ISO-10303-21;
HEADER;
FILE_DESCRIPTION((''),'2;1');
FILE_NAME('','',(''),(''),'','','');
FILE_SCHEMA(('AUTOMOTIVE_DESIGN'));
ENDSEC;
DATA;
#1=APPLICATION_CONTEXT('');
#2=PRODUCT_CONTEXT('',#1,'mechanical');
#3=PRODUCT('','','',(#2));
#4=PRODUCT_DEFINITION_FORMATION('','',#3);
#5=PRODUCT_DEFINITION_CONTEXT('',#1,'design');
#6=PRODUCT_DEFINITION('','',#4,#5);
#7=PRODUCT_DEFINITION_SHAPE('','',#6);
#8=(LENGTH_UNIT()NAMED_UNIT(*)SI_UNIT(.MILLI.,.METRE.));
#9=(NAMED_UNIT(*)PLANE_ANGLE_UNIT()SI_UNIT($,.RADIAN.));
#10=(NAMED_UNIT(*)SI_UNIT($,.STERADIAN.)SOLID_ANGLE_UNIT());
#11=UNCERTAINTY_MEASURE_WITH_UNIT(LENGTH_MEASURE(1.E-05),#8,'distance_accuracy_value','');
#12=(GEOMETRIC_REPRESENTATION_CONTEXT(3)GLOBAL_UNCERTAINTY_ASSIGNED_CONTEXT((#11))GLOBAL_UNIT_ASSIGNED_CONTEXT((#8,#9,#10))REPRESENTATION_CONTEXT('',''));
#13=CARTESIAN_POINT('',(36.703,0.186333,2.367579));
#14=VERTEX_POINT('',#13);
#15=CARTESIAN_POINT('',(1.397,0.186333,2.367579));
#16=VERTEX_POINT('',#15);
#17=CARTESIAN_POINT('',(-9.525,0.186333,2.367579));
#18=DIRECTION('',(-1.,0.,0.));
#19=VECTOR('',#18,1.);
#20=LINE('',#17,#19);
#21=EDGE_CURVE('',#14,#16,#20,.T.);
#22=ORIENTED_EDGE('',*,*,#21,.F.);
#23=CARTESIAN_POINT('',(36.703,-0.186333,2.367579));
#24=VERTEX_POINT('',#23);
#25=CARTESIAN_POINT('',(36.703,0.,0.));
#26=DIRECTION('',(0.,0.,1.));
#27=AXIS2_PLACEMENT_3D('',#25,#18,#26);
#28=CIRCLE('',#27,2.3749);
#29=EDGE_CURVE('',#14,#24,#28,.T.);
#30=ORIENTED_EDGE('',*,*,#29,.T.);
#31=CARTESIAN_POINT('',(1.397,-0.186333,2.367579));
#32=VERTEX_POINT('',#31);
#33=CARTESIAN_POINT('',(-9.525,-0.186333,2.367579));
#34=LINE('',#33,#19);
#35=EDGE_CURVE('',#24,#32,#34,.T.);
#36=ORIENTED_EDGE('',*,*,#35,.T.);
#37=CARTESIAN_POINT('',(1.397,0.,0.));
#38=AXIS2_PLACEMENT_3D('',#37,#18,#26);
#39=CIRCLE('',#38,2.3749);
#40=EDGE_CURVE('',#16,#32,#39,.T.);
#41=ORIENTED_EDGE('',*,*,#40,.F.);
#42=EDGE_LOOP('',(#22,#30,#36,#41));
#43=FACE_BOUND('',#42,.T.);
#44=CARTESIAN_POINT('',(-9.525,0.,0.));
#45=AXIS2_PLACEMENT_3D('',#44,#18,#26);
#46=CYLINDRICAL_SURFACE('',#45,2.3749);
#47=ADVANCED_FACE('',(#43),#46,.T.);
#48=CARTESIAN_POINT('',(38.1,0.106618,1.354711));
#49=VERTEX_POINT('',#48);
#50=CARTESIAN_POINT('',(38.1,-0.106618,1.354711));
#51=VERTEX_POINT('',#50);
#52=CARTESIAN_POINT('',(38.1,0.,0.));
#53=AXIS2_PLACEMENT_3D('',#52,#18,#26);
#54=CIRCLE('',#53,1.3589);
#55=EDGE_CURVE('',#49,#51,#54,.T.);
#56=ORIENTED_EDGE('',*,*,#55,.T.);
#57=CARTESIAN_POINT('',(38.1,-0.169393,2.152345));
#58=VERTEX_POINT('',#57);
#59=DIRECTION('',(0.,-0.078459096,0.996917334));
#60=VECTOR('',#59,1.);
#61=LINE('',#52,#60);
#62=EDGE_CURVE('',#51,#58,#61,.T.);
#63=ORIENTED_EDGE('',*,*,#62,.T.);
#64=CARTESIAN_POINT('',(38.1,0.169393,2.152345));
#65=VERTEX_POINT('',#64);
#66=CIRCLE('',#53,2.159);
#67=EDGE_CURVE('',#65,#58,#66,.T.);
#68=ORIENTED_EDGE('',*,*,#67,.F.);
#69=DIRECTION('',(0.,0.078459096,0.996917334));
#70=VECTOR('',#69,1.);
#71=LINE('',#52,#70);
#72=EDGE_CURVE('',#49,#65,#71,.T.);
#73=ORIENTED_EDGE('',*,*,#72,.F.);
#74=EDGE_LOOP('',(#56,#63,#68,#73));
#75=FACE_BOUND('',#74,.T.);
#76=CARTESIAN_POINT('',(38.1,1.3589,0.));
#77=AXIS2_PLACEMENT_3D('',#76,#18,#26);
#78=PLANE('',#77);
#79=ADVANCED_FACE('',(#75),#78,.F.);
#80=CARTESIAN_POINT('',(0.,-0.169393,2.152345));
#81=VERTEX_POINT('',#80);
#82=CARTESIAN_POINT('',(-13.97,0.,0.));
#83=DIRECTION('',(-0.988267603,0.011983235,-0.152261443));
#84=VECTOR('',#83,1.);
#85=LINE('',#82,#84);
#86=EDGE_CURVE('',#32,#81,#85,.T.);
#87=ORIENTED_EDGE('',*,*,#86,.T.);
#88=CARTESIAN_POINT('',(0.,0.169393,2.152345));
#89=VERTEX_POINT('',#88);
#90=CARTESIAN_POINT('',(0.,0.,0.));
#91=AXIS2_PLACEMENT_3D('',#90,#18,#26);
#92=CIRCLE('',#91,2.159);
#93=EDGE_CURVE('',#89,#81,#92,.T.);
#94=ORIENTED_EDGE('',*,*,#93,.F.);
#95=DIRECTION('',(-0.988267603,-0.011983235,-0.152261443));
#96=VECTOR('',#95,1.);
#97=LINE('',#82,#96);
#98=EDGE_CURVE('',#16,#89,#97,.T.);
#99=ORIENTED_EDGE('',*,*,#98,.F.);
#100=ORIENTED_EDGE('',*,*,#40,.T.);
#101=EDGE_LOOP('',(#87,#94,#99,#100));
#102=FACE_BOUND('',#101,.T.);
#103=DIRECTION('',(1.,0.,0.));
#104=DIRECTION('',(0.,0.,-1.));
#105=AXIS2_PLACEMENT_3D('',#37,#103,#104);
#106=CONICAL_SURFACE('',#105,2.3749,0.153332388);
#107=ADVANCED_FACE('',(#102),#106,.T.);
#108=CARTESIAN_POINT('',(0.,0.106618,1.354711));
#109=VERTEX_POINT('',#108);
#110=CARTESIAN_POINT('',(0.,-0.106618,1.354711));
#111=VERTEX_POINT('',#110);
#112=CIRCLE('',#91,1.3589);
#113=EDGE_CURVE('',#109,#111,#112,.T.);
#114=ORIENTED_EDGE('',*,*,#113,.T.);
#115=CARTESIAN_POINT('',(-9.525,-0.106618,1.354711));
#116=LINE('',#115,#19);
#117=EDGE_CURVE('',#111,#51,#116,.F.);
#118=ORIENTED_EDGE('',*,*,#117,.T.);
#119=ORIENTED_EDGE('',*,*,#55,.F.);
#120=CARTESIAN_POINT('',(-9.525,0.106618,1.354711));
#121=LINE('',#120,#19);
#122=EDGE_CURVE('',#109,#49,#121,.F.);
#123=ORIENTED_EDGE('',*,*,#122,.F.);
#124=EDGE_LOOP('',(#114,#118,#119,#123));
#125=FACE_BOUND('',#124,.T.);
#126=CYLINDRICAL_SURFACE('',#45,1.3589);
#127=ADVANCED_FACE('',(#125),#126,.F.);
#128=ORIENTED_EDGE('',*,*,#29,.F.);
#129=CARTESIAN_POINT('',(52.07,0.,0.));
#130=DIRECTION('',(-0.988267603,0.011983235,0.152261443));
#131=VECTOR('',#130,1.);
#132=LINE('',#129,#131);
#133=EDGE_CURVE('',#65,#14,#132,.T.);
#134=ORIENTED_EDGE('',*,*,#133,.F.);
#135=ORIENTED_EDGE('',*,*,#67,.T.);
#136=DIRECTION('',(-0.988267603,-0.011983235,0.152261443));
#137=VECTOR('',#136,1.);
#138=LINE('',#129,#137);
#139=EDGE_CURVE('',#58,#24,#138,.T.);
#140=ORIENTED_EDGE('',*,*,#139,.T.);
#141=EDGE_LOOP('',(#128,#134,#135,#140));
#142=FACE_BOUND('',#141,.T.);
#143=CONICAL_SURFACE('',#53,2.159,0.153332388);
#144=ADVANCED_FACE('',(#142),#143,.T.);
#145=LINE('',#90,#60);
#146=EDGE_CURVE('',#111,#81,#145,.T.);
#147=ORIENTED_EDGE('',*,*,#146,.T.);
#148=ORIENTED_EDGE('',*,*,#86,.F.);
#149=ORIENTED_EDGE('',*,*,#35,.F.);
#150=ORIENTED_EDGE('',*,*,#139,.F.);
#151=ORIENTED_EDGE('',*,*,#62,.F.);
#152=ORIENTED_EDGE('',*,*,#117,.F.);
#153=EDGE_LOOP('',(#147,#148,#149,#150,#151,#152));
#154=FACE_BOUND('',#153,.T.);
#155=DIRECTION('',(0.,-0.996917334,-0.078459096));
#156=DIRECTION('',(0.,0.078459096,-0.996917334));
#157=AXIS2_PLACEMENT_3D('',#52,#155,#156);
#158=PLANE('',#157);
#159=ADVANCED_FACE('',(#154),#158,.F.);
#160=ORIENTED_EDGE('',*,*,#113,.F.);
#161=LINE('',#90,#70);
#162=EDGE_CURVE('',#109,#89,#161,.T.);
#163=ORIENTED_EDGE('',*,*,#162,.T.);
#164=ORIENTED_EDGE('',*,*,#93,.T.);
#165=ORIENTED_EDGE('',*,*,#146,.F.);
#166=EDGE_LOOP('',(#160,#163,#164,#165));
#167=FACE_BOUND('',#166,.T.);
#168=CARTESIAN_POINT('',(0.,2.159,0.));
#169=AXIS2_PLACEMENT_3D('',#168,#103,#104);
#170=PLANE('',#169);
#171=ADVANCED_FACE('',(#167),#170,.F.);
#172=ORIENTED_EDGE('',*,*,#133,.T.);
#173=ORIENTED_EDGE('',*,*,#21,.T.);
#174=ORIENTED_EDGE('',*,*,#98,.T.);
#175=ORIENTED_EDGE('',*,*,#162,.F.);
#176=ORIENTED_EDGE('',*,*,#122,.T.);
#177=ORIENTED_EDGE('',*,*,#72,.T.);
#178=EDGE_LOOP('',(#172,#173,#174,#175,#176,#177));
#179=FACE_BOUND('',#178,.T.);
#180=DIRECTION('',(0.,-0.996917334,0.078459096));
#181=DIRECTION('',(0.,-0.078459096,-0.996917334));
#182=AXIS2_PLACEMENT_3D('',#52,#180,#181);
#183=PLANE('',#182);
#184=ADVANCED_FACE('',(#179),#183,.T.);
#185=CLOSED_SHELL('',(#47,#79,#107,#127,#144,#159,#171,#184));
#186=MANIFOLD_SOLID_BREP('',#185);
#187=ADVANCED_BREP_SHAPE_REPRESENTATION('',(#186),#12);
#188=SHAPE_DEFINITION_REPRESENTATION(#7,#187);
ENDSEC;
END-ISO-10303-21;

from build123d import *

# Parameters (mm, degrees)
GAP_DEPTH = 39.247748954


with BuildPart() as part:
    # Sketch1 → Base-Revolve (revolve)
    with BuildSketch(Plane.XY, mode=Mode.PRIVATE) as base_revolve_sk:
        Polygon((0, 1.3589), (38.1, 1.3589), (38.1, 2.159), (36.703, 2.3749), (1.397, 2.3749), (0, 2.159), align=None)
    revolve(base_revolve_sk.sketch.rotate(Axis((-9.525, 0, 0), (1, 0, 0)), 90), axis=Axis((-9.525, 0, 0), (1, 0, 0)))

    # Sketch2 → Gap (cut, through all)
    with BuildSketch(Plane(origin=(0, 0, 0), x_dir=(0, -1, 0), z_dir=(-1, 0, 0))):
        with BuildLine():
            Line((0, 0), (0.190059157, 2.414930555))
            ThreePointArc((0.190059157, 2.414930555), (0, 2.422398), (-0.190059157, 2.414930555))
            Line((-0.190059157, 2.414930555), (0, 0))
        make_face()
    extrude(amount=-GAP_DEPTH, mode=Mode.SUBTRACT)


solid = part.part
